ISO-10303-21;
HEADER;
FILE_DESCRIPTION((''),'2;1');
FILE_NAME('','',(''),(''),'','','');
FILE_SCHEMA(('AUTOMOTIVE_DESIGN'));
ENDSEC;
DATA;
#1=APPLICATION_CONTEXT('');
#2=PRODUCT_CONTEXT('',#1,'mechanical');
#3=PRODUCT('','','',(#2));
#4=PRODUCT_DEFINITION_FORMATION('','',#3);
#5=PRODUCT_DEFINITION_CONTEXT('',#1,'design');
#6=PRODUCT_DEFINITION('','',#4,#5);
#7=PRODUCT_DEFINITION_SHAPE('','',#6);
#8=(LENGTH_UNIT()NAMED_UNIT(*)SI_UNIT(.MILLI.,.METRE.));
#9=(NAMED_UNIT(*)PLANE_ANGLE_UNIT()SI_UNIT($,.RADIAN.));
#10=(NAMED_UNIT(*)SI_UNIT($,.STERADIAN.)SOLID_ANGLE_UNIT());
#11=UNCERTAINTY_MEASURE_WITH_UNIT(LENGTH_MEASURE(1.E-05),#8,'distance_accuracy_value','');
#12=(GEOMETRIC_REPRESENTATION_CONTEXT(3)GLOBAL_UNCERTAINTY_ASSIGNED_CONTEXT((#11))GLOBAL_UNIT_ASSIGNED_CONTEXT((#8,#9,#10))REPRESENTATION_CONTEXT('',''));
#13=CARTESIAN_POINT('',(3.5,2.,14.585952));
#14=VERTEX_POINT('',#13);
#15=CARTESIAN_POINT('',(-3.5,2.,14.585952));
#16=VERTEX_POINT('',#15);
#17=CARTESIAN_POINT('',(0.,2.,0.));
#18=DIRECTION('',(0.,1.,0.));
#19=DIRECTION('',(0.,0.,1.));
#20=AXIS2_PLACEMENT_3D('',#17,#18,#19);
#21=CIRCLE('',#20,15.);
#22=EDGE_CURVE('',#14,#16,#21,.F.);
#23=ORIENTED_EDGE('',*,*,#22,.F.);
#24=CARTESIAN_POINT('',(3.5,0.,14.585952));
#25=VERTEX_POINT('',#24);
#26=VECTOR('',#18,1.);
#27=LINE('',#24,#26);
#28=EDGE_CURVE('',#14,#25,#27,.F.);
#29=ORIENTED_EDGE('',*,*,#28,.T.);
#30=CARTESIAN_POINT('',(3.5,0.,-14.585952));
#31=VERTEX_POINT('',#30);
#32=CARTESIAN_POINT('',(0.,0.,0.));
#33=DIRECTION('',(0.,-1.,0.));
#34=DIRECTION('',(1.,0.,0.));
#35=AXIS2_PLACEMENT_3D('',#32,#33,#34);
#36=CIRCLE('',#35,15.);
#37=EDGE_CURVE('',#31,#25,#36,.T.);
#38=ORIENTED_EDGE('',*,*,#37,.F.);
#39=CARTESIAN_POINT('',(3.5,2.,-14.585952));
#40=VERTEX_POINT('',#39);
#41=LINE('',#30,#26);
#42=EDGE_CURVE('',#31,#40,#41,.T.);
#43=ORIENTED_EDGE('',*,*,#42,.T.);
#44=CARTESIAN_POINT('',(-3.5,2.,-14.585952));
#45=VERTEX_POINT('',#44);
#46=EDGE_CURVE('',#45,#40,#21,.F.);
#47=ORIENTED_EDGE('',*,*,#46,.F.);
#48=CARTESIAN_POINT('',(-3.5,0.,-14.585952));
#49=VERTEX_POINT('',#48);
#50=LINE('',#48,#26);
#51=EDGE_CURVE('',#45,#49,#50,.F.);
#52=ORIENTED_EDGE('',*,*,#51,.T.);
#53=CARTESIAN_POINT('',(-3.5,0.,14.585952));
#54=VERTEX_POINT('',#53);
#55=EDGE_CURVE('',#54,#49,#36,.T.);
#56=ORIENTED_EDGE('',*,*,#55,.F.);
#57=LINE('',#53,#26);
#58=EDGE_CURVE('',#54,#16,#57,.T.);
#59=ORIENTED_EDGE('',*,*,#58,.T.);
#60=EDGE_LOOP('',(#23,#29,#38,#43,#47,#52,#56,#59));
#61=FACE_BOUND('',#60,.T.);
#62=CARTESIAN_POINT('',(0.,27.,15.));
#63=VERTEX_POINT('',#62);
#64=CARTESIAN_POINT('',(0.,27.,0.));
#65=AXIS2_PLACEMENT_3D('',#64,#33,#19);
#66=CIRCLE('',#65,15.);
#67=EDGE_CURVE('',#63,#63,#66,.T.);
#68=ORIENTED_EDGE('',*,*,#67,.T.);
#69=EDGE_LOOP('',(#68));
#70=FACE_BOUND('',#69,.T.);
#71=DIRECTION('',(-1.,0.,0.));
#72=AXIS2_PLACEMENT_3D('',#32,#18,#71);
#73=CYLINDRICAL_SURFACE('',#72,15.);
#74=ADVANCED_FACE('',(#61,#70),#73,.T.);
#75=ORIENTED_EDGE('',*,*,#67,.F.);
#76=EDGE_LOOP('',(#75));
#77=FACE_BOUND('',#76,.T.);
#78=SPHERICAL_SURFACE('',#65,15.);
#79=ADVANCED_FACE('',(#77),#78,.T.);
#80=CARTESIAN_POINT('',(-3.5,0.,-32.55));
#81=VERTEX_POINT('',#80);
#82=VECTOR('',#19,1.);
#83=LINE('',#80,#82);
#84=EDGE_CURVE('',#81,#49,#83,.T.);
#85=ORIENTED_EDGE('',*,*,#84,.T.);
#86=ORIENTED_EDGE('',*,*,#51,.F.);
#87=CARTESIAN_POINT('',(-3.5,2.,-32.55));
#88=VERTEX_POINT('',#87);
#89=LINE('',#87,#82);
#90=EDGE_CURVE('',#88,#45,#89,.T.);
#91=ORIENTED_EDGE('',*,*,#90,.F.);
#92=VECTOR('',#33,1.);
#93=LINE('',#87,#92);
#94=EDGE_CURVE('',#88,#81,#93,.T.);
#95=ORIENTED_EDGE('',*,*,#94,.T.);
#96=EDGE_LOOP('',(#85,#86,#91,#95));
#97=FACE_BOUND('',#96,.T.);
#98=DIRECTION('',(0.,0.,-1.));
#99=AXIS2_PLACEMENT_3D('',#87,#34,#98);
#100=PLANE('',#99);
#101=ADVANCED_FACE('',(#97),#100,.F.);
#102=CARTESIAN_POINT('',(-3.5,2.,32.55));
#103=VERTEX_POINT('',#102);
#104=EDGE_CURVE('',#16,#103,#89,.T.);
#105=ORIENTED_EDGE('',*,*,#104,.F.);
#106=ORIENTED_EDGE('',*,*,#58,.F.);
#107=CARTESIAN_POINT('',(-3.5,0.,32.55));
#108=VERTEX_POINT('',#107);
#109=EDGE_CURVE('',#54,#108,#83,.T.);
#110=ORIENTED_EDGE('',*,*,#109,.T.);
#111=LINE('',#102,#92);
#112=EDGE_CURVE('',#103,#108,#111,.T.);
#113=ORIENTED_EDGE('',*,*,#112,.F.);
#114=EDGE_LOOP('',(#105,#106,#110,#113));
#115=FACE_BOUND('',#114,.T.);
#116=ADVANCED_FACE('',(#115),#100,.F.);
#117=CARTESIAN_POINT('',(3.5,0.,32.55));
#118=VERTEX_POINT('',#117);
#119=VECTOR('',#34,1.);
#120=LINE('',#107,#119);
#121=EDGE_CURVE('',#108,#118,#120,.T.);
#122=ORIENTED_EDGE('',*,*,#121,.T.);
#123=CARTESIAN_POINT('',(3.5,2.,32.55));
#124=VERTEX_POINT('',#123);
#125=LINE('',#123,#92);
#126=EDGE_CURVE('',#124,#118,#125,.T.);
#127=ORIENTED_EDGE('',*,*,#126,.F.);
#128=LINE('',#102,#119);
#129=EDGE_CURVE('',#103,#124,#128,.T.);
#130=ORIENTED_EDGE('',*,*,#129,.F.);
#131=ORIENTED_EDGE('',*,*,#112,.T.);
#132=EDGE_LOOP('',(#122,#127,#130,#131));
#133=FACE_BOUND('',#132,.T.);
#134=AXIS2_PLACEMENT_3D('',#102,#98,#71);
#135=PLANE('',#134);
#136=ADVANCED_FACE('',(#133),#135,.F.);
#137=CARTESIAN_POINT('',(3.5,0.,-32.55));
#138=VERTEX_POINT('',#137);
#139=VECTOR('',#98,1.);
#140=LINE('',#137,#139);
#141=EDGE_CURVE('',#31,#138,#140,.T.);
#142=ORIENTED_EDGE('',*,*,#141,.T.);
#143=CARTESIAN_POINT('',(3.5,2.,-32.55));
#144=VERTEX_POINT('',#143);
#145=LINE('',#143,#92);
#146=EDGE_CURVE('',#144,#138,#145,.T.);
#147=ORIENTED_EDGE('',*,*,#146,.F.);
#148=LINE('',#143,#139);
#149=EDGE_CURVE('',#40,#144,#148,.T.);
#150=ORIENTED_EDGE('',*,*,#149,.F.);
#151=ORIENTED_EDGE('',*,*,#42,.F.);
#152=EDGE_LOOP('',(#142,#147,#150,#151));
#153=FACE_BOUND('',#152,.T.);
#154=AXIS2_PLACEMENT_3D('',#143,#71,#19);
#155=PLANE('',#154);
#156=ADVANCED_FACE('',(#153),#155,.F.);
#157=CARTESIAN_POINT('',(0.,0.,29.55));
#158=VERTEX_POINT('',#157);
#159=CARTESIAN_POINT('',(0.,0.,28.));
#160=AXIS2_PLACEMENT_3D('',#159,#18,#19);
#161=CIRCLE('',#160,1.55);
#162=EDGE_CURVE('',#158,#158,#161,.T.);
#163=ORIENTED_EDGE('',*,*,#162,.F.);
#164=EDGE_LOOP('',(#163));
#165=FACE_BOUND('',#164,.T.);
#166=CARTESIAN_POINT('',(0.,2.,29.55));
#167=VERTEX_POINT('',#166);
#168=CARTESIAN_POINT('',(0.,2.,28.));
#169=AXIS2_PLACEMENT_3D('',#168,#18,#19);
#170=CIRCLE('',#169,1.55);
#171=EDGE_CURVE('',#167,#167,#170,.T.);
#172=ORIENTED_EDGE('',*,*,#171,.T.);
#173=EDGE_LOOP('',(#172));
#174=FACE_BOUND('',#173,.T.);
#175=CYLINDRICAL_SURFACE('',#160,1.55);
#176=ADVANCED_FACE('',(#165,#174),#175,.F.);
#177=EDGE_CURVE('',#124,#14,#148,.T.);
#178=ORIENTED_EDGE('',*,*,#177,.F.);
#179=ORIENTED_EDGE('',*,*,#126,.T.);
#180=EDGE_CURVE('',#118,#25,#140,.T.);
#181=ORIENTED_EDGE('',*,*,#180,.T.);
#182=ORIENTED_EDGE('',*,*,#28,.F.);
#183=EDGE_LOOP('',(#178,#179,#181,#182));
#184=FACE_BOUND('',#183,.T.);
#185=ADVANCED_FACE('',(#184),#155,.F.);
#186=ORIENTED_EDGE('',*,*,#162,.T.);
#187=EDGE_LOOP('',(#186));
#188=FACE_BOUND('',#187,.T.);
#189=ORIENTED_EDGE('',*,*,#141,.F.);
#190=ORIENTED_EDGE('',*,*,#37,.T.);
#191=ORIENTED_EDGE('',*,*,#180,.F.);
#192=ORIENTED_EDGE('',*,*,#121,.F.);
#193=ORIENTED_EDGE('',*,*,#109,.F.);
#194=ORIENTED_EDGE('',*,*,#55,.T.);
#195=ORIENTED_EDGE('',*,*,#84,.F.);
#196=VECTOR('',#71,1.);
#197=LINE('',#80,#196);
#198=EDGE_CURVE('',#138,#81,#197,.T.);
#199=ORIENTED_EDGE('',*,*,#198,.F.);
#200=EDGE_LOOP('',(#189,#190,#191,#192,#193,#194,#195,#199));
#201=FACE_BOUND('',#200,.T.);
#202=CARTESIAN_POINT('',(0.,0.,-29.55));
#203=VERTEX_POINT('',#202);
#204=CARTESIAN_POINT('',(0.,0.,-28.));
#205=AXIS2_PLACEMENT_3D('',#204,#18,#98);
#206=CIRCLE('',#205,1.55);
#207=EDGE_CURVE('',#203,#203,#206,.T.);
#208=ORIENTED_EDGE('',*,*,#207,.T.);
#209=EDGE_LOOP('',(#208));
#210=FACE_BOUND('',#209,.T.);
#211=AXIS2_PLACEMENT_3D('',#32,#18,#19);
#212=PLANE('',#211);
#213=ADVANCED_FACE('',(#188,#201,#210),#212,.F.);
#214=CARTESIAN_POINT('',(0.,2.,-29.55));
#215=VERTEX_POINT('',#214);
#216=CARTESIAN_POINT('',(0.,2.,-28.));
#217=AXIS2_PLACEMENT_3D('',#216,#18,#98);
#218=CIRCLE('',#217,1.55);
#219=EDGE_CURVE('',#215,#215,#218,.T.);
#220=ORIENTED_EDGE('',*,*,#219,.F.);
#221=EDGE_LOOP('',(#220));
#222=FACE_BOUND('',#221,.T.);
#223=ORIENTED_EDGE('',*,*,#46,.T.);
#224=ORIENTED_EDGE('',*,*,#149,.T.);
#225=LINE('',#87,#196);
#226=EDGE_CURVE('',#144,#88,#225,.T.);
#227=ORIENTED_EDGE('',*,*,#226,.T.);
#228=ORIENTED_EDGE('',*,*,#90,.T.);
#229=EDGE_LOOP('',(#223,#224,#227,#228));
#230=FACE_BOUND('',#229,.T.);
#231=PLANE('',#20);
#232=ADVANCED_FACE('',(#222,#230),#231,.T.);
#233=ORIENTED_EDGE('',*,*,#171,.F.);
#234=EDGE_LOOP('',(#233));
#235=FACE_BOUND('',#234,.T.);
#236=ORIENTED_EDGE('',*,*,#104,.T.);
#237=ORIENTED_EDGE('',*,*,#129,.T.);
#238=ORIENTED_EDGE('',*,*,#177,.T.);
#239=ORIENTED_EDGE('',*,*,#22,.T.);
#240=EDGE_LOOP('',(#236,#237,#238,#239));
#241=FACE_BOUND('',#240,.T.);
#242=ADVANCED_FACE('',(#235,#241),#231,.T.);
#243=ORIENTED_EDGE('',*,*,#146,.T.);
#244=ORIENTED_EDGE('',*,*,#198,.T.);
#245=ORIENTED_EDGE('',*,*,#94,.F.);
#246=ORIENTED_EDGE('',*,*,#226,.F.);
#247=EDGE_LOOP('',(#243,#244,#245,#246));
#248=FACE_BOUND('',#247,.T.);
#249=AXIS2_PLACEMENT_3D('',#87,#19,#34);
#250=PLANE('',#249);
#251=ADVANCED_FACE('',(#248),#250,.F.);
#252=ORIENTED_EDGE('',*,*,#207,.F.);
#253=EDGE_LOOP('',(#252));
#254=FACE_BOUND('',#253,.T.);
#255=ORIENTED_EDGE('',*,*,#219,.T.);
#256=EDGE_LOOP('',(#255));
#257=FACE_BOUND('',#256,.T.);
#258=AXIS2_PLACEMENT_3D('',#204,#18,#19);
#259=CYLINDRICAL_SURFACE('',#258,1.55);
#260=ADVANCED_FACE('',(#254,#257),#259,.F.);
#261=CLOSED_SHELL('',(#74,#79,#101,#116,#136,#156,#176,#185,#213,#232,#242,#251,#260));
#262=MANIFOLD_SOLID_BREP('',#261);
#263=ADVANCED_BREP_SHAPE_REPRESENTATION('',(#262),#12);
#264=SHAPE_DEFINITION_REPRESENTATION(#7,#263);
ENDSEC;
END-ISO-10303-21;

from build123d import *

# Parameters (mm, degrees)
SKETCH1_W           = 7
SKETCH1_H           = 65.1
BOSS_EXTRUDE1_DEPTH = 2
REVOLVE1_ANGLE      = 180
SKETCH3_R           = 15
BOSS_EXTRUDE2_DEPTH = 27
SKETCH4_R           = 1.55
CUT_EXTRUDE1_DEPTH  = 2


with BuildPart() as part:
    # Sketch1 → Boss-Extrude1 (new body)
    with BuildSketch(Plane(origin=(0, 0, 0), x_dir=(1, 0, 0), z_dir=(0, 1, 0))):
        Rectangle(SKETCH1_W, SKETCH1_H)
    extrude(amount=BOSS_EXTRUDE1_DEPTH)



with BuildPart() as body_2:
    # Sketch2 → Revolve1 (revolve)
    with BuildSketch(Plane(origin=(0, 27, 0), x_dir=(1, 0, 0), z_dir=(0, 1, 0))):
        with BuildLine():
            Line((0, 15), (0, -15))
            ThreePointArc((0, -15), (15, 0), (0, 15))
        make_face()
    revolve(axis=Axis((0, 27, -15), (0, 0, 1)), revolution_arc=REVOLVE1_ANGLE)


with BuildPart() as part_1:
    add(part.part)

    add(body_2.part)  # Boss-Extrude2 merges body 2
    # Sketch3 → Boss-Extrude2 (add, through all)
    with BuildSketch(Plane.XZ.offset(-27)):
        with Locations(Location((0, 0, 0), (0, 0, 256.506601178))):
            Circle(SKETCH3_R)
    extrude(amount=BOSS_EXTRUDE2_DEPTH)

    # Sketch4 → Cut-Extrude1 (cut)
    with BuildSketch(Plane(origin=(0, 2, 0), x_dir=(1, 0, 0), z_dir=(0, 1, 0))):
        with Locations(Location((0, -28, 0), (0, 0, 270))):
            Circle(SKETCH4_R)
        with Locations(Location((0, 28, 0), (0, 0, 90))):
            Circle(SKETCH4_R)
    extrude(amount=-CUT_EXTRUDE1_DEPTH, mode=Mode.SUBTRACT)


solid = part_1.part
